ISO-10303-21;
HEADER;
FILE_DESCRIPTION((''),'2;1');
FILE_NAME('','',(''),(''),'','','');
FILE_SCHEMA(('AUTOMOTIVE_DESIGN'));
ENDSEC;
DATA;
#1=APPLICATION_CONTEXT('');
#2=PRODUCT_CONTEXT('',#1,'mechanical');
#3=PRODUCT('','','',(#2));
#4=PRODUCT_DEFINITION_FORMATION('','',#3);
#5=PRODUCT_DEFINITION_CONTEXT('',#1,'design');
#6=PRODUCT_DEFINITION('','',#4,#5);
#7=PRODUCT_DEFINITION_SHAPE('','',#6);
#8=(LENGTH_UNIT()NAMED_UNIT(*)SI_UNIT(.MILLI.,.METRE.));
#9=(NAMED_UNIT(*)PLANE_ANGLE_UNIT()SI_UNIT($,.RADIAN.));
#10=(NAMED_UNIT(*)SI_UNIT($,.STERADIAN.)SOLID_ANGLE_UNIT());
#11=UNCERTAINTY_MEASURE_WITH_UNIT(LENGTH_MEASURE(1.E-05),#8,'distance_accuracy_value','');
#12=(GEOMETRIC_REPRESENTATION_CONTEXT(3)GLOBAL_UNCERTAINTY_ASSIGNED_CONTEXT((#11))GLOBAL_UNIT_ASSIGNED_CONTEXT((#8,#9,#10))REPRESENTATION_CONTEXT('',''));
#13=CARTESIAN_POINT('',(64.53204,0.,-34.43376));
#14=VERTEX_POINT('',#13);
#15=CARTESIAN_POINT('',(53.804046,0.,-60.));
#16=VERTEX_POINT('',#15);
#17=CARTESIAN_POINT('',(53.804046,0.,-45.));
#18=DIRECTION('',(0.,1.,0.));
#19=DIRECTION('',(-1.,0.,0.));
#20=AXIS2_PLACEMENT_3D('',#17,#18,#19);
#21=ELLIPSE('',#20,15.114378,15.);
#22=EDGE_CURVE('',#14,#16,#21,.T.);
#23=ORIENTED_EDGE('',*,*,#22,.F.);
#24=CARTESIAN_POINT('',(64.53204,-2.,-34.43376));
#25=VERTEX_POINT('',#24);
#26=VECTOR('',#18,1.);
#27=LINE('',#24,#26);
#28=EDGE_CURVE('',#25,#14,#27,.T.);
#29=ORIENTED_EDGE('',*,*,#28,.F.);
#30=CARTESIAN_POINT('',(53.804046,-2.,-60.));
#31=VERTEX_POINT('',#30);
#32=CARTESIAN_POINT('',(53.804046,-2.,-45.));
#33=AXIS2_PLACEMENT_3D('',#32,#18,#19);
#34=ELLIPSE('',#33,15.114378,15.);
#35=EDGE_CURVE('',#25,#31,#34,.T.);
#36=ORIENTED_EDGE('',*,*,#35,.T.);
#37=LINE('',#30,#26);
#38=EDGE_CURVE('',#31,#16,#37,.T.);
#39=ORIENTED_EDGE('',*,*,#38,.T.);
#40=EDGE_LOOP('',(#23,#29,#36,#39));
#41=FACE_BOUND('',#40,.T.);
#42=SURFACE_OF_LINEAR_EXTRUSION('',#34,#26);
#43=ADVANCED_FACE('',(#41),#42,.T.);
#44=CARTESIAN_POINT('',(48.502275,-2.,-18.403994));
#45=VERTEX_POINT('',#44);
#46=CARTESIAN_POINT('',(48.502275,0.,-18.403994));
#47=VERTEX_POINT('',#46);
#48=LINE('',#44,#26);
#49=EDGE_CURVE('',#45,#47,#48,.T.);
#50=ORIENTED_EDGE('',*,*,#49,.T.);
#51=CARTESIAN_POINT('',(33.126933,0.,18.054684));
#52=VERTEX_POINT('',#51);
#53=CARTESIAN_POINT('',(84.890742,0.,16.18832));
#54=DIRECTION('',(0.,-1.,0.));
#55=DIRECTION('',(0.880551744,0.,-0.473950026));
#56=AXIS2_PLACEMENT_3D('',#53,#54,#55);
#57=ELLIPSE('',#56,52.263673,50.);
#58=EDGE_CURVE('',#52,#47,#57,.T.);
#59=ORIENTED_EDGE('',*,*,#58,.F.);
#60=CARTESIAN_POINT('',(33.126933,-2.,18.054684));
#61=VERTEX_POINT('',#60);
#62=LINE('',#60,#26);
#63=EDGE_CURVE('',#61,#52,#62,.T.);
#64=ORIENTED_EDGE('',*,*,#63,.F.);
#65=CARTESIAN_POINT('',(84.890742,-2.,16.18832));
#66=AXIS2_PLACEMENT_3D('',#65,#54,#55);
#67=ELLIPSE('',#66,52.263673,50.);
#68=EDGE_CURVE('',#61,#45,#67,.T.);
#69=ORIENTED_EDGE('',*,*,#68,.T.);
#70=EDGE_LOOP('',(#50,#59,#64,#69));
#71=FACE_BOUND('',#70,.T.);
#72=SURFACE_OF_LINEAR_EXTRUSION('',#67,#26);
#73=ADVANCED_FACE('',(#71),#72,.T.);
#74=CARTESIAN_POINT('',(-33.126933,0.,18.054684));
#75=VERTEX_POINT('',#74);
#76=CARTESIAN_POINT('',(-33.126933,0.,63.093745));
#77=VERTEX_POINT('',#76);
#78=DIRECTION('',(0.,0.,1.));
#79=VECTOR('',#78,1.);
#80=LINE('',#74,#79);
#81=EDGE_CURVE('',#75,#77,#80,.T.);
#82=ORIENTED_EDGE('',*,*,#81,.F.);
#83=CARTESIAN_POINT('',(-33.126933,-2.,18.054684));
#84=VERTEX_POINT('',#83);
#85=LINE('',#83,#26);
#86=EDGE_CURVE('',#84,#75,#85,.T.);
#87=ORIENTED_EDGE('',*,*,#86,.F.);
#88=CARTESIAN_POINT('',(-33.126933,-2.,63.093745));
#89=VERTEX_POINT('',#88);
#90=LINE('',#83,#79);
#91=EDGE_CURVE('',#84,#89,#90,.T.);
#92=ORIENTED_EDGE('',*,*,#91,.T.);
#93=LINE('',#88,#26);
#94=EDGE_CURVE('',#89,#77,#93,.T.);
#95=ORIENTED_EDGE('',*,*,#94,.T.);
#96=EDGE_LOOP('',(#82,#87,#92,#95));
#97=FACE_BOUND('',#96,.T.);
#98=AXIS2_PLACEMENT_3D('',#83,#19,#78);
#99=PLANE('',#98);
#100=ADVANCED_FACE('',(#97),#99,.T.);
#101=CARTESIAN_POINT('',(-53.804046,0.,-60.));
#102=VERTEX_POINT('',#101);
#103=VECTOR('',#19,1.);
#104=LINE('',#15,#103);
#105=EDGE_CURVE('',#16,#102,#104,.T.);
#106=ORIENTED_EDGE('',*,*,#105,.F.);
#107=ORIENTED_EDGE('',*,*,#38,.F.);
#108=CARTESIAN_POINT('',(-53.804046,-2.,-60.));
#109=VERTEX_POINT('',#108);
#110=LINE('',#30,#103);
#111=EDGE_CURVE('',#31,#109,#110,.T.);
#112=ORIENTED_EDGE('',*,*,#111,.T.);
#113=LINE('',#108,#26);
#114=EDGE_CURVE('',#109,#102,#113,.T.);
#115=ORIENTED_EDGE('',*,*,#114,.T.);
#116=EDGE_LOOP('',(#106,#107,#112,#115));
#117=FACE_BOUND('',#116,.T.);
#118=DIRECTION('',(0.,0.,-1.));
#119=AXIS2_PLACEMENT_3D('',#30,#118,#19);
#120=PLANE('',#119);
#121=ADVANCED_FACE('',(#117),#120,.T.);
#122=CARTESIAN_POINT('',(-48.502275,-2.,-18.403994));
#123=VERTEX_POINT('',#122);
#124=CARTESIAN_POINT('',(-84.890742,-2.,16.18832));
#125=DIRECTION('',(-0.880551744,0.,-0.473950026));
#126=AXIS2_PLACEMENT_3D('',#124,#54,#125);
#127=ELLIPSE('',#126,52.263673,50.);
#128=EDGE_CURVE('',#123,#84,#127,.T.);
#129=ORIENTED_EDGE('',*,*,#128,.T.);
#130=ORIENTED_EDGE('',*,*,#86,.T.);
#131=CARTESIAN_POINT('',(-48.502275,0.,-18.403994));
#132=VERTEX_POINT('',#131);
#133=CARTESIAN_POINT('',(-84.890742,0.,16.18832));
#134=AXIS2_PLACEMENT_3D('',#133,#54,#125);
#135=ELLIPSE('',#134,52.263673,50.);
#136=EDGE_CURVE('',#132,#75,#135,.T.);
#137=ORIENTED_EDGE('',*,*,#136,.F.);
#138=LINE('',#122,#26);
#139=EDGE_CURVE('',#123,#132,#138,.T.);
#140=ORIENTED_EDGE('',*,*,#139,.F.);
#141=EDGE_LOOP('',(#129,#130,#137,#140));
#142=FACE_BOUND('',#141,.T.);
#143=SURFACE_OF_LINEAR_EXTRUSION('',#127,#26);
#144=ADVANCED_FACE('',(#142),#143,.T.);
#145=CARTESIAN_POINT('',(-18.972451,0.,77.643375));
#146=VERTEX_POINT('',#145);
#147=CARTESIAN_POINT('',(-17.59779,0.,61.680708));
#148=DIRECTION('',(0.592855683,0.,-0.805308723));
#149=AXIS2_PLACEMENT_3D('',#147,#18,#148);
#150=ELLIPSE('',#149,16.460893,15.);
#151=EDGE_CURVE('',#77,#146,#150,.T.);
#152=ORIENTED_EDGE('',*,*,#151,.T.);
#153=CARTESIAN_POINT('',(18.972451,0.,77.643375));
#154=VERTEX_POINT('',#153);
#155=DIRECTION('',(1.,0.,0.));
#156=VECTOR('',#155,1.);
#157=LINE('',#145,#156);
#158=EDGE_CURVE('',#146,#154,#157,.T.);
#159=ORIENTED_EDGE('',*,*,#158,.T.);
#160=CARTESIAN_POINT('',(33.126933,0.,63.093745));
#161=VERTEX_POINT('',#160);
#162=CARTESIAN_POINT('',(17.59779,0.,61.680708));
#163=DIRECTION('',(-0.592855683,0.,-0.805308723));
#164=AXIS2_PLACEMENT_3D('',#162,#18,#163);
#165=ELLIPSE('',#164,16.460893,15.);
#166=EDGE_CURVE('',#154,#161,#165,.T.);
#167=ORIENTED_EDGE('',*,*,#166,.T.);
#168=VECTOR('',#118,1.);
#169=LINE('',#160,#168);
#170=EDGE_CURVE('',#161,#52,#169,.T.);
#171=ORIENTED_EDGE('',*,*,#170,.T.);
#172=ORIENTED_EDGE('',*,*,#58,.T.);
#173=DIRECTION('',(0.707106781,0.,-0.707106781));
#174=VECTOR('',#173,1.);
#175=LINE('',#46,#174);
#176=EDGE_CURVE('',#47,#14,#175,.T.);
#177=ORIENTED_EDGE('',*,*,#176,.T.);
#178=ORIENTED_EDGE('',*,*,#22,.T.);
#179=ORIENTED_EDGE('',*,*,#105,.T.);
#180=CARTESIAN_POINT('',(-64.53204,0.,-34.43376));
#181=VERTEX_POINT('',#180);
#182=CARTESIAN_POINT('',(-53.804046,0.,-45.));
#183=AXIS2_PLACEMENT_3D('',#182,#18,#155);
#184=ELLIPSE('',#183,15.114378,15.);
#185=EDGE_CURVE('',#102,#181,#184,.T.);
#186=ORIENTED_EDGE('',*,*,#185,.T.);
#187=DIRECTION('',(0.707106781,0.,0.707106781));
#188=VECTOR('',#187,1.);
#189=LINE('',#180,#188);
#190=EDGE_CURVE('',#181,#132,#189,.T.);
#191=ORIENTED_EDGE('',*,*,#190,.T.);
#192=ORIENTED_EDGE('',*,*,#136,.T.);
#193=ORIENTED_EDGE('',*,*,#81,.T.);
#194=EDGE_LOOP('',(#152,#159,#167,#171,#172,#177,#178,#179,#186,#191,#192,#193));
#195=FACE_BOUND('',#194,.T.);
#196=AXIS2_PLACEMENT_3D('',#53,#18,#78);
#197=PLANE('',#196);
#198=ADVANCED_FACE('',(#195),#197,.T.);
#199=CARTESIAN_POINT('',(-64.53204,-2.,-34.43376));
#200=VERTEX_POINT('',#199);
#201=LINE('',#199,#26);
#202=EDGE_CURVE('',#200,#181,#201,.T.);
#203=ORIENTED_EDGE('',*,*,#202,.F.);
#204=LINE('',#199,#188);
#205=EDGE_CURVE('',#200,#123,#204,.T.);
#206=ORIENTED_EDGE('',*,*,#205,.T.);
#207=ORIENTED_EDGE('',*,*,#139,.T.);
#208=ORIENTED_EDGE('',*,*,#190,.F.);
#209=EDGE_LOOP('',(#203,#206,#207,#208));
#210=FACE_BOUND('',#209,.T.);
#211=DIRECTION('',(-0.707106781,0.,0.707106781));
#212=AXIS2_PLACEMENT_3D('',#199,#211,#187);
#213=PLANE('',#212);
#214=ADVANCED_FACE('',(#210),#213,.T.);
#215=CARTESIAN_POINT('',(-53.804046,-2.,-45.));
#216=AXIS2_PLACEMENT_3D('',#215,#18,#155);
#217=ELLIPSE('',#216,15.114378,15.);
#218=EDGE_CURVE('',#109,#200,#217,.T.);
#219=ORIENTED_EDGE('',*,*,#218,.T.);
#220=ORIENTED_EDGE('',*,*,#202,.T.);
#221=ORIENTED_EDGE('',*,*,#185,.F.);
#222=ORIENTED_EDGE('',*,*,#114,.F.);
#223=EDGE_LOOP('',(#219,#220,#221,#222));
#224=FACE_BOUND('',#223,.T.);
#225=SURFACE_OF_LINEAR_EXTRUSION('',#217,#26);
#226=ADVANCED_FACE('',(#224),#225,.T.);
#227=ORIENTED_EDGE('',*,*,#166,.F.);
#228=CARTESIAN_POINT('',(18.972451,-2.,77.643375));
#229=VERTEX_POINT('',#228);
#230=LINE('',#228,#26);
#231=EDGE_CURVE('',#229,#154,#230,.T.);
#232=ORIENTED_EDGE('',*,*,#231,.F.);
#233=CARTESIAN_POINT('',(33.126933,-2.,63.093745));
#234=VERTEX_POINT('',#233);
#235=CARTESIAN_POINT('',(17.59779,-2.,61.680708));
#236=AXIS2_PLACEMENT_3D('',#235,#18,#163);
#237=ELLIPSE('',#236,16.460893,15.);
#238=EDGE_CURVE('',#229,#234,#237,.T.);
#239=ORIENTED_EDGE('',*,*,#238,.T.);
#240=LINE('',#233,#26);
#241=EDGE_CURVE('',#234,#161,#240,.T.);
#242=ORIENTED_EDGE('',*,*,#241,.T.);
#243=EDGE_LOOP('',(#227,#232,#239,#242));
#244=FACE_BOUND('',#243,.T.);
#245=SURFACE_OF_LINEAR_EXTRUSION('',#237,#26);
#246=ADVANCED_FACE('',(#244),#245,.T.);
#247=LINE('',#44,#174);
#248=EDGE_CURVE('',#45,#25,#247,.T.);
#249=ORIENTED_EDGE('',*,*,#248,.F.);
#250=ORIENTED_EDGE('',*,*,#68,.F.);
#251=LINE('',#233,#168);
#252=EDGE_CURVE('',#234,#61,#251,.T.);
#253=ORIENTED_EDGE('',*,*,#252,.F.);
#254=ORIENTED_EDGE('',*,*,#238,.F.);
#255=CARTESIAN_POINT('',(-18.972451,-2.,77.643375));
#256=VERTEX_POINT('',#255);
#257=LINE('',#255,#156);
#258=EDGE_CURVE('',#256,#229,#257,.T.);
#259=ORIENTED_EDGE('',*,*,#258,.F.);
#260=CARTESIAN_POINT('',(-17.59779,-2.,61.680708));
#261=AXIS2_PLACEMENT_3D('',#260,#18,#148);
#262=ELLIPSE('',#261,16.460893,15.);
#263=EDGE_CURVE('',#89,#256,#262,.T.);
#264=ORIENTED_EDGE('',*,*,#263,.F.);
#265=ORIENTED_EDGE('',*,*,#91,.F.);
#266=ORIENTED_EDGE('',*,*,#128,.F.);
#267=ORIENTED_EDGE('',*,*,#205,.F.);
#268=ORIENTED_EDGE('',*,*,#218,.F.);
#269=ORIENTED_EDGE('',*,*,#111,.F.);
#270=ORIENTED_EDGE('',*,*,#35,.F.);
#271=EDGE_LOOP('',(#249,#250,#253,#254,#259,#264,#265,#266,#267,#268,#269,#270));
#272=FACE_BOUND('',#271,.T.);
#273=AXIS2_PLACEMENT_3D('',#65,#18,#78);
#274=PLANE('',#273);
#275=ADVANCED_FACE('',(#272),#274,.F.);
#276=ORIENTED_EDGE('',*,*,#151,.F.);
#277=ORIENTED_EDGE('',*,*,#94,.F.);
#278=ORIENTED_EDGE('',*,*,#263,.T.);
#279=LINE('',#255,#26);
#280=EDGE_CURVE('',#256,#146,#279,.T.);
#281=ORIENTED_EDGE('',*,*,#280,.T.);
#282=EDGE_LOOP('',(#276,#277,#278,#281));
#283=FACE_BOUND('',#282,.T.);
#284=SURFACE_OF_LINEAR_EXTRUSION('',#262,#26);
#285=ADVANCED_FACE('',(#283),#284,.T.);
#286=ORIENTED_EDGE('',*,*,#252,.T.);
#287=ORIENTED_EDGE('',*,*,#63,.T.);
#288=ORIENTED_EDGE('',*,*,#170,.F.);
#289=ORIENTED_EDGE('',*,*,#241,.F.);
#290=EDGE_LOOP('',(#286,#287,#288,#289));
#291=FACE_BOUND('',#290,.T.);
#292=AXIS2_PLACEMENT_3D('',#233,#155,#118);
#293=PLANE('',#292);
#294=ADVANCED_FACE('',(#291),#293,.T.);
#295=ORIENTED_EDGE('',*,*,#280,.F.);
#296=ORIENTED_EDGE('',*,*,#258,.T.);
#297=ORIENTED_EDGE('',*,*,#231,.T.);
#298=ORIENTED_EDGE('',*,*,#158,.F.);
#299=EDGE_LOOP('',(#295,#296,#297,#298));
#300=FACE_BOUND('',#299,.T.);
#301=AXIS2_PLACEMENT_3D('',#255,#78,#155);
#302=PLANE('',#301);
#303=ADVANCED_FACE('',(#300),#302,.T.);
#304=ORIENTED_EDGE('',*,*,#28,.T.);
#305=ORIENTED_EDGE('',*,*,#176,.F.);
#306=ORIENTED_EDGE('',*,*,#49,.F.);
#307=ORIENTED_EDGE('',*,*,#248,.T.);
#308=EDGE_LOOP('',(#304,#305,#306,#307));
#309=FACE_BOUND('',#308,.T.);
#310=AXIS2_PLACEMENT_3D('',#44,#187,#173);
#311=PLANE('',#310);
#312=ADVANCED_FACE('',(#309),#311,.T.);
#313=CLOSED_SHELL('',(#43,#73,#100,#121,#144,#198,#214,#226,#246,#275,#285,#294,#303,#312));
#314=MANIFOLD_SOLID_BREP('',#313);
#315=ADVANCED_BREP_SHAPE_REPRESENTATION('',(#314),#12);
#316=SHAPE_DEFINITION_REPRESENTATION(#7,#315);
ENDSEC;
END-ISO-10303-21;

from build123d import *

# Parameters (mm, degrees)
BOSS_EXTRUDE1_DEPTH = 2


with BuildPart() as part:
    # Sketch2 → Boss-Extrude1 (new body)
    with BuildSketch(Plane(origin=(0, 0, 0), x_dir=(1, 0, 0), z_dir=(0, 1, 0))):
        with BuildLine():
            Line((33.126933041, -63.09374476), (33.126933041, -18.054684141))
            add(Edge.make_bspline(
                [(48.502275197, 18.403994452), (33.126933041, 3.028652296), (33.126933041, -18.054684141)],
                knots=[1.874843142, 1.874843142, 1.874843142, 2.666072932, 2.666072932, 2.666072932], degree=2, weights=[1, 0.922759773, 1]))
            Line((48.502275197, 18.403994452), (64.532040349, 34.433759604))
            add(Edge.make_bspline(
                [(64.532040349, 34.433759604), (90.098280745, 60), (53.804046318, 60)],
                knots=[2.359992588, 2.359992588, 2.359992588, 4.71238898, 4.71238898, 4.71238898], degree=2, weights=[1, 0.384437234, 1]))
            Line((53.804046318, 60), (-53.804046318, 60))
            add(Edge.make_bspline(
                [(-53.804046318, 60), (-90.098280745, 60), (-64.532040349, 34.433759604)],
                knots=[1.570796327, 1.570796327, 1.570796327, 3.923192719, 3.923192719, 3.923192719], degree=2, weights=[1, 0.384437234, 1]))
            Line((-64.532040349, 34.433759604), (-48.502275197, 18.403994452))
            add(Edge.make_bspline(
                [(-33.126933041, -18.054684141), (-33.126933041, 3.028652296), (-48.502275197, 18.403994452)],
                knots=[3.617112375, 3.617112375, 3.617112375, 4.408342165, 4.408342165, 4.408342165], degree=2, weights=[1, 0.922759773, 1]))
            Line((-33.126933041, -18.054684141), (-33.126933041, -63.09374476))
            add(Edge.make_bspline(
                [(-33.126933041, -63.09374476), (-33.126933041, -77.64337492), (-18.972450653, -77.64337492)],
                knots=[2.250325805, 2.250325805, 2.250325805, 3.732484786, 3.732484786, 3.732484786], degree=2, weights=[1, 0.737740241, 1]))
            Line((-18.972450653, -77.64337492), (18.972450653, -77.64337492))
            add(Edge.make_bspline(
                [(18.972450653, -77.64337492), (33.126933041, -77.64337492), (33.126933041, -63.09374476)],
                knots=[5.692293175, 5.692293175, 5.692293175, 7.174452156, 7.174452156, 7.174452156], degree=2, weights=[1, 0.737740241, 1]))
        make_face()
    extrude(amount=-BOSS_EXTRUDE1_DEPTH)


solid = part.part
